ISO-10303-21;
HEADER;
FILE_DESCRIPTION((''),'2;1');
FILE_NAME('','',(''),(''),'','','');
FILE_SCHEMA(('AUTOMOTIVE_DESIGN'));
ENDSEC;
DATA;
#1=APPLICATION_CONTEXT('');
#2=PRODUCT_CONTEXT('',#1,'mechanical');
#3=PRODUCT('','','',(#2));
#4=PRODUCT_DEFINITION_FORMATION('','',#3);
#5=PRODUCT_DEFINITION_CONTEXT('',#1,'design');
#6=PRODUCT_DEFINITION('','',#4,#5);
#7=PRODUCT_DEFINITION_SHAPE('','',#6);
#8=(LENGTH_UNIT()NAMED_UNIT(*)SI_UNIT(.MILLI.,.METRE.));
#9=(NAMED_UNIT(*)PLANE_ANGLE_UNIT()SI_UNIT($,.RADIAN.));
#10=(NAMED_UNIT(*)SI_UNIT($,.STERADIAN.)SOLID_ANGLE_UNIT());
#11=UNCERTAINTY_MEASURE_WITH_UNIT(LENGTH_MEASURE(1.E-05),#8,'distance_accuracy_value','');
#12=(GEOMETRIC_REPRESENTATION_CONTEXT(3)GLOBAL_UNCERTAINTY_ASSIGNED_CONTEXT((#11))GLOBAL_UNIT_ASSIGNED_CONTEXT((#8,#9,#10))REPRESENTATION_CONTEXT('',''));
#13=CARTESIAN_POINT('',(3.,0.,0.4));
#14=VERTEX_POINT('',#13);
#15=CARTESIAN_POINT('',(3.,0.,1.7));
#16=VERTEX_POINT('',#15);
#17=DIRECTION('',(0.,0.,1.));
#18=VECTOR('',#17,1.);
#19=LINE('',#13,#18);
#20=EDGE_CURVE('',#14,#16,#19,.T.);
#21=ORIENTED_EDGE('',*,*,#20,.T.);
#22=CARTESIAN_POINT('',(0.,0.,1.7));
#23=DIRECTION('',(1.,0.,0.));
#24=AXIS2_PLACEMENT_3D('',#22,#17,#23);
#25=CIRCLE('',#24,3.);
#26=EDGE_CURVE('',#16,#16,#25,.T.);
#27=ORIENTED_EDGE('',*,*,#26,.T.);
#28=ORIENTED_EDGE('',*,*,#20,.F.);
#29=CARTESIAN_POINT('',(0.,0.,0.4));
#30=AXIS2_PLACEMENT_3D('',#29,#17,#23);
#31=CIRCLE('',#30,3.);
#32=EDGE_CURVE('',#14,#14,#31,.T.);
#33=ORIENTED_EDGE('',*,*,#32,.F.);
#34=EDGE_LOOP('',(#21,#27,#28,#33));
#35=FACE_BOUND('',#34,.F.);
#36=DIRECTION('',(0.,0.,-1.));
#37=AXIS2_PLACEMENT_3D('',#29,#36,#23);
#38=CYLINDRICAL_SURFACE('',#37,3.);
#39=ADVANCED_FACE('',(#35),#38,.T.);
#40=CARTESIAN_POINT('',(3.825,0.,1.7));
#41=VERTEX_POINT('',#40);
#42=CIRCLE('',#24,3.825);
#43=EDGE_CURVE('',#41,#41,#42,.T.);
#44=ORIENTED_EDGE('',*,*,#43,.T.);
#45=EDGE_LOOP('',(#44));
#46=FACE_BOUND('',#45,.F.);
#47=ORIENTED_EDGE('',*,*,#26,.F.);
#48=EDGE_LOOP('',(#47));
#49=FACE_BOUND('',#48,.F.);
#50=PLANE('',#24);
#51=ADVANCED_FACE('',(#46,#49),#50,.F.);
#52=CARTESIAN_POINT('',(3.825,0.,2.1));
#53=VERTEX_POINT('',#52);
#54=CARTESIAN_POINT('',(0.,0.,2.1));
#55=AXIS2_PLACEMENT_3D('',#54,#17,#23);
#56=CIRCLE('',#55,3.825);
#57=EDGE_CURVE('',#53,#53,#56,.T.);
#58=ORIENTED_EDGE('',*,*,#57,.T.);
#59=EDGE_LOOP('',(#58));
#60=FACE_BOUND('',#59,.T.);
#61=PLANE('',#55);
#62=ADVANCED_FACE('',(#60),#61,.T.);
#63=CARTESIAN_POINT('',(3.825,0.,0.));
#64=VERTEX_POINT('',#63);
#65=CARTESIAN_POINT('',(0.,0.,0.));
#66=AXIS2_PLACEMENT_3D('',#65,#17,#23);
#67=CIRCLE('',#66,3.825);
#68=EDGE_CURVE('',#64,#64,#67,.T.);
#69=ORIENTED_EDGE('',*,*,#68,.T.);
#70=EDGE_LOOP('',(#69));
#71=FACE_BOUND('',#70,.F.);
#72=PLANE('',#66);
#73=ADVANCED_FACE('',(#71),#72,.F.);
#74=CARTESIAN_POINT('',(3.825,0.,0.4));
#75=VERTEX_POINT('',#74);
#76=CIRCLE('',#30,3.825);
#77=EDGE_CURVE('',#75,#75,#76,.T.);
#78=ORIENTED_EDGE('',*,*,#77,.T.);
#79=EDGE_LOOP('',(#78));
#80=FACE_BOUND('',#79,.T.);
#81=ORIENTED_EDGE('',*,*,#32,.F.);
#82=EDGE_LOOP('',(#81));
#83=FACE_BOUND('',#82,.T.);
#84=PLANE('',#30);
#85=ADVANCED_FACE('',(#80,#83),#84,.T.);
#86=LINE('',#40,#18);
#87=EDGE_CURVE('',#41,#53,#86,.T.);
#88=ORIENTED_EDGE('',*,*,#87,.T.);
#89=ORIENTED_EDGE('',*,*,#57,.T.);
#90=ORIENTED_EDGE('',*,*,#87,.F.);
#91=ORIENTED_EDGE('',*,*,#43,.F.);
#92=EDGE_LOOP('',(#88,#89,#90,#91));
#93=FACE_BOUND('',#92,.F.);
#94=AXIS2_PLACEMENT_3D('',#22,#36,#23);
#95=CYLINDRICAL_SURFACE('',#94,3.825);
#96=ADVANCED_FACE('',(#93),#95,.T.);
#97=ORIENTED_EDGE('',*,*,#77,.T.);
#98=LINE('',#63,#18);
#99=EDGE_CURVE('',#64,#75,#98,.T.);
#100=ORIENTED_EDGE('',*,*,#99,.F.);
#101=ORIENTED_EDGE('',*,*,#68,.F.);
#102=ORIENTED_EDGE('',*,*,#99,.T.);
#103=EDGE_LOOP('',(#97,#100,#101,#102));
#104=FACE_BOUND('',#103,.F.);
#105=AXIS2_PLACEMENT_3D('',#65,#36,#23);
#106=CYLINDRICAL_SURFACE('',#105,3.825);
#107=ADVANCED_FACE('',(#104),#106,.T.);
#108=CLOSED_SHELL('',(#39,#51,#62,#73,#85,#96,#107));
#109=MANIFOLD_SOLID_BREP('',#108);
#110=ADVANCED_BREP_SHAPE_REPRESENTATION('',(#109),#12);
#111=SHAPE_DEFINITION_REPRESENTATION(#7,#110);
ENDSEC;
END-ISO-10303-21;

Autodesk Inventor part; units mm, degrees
ref_plane "YZ Plane" through (0, 0, 0) normal (1, 0, 0) x (0, 1, 0)
ref_plane "XZ Plane" through (0, 0, 0) normal (0, 1, 0) x (-1, 0, 0)
ref_plane "XY Plane" through (0, 0, 0) normal (0, 0, 1) x (1, 0, 0)
sketch "Sketch1" plane through (0, 0, 0) normal (0, 0, 1) x (1, 0, 0)
  circle A0 centre (0, 0) radius 3.825
  dimension "d0" = 7.65
extrude "Extrusion1" add sketch "Sketch1" along normal blind 0.4
sketch "Sketch2" plane through (0, 0, 0.4) normal (0, 0, 1) x (1, 0, 0)
  circle A0 centre (0, 0) radius 3
  dimension "d3" = 6
extrude "Extrusion2" add sketch "Sketch2" along normal blind 1.3
sketch "Sketch3" plane through (0, 0, 1.7) normal (0, 0, 1) x (1, 0, 0)
  circle A0 centre (0, 0) radius 3.825
extrude "Extrusion3" add sketch "Sketch3" along normal blind 0.4
